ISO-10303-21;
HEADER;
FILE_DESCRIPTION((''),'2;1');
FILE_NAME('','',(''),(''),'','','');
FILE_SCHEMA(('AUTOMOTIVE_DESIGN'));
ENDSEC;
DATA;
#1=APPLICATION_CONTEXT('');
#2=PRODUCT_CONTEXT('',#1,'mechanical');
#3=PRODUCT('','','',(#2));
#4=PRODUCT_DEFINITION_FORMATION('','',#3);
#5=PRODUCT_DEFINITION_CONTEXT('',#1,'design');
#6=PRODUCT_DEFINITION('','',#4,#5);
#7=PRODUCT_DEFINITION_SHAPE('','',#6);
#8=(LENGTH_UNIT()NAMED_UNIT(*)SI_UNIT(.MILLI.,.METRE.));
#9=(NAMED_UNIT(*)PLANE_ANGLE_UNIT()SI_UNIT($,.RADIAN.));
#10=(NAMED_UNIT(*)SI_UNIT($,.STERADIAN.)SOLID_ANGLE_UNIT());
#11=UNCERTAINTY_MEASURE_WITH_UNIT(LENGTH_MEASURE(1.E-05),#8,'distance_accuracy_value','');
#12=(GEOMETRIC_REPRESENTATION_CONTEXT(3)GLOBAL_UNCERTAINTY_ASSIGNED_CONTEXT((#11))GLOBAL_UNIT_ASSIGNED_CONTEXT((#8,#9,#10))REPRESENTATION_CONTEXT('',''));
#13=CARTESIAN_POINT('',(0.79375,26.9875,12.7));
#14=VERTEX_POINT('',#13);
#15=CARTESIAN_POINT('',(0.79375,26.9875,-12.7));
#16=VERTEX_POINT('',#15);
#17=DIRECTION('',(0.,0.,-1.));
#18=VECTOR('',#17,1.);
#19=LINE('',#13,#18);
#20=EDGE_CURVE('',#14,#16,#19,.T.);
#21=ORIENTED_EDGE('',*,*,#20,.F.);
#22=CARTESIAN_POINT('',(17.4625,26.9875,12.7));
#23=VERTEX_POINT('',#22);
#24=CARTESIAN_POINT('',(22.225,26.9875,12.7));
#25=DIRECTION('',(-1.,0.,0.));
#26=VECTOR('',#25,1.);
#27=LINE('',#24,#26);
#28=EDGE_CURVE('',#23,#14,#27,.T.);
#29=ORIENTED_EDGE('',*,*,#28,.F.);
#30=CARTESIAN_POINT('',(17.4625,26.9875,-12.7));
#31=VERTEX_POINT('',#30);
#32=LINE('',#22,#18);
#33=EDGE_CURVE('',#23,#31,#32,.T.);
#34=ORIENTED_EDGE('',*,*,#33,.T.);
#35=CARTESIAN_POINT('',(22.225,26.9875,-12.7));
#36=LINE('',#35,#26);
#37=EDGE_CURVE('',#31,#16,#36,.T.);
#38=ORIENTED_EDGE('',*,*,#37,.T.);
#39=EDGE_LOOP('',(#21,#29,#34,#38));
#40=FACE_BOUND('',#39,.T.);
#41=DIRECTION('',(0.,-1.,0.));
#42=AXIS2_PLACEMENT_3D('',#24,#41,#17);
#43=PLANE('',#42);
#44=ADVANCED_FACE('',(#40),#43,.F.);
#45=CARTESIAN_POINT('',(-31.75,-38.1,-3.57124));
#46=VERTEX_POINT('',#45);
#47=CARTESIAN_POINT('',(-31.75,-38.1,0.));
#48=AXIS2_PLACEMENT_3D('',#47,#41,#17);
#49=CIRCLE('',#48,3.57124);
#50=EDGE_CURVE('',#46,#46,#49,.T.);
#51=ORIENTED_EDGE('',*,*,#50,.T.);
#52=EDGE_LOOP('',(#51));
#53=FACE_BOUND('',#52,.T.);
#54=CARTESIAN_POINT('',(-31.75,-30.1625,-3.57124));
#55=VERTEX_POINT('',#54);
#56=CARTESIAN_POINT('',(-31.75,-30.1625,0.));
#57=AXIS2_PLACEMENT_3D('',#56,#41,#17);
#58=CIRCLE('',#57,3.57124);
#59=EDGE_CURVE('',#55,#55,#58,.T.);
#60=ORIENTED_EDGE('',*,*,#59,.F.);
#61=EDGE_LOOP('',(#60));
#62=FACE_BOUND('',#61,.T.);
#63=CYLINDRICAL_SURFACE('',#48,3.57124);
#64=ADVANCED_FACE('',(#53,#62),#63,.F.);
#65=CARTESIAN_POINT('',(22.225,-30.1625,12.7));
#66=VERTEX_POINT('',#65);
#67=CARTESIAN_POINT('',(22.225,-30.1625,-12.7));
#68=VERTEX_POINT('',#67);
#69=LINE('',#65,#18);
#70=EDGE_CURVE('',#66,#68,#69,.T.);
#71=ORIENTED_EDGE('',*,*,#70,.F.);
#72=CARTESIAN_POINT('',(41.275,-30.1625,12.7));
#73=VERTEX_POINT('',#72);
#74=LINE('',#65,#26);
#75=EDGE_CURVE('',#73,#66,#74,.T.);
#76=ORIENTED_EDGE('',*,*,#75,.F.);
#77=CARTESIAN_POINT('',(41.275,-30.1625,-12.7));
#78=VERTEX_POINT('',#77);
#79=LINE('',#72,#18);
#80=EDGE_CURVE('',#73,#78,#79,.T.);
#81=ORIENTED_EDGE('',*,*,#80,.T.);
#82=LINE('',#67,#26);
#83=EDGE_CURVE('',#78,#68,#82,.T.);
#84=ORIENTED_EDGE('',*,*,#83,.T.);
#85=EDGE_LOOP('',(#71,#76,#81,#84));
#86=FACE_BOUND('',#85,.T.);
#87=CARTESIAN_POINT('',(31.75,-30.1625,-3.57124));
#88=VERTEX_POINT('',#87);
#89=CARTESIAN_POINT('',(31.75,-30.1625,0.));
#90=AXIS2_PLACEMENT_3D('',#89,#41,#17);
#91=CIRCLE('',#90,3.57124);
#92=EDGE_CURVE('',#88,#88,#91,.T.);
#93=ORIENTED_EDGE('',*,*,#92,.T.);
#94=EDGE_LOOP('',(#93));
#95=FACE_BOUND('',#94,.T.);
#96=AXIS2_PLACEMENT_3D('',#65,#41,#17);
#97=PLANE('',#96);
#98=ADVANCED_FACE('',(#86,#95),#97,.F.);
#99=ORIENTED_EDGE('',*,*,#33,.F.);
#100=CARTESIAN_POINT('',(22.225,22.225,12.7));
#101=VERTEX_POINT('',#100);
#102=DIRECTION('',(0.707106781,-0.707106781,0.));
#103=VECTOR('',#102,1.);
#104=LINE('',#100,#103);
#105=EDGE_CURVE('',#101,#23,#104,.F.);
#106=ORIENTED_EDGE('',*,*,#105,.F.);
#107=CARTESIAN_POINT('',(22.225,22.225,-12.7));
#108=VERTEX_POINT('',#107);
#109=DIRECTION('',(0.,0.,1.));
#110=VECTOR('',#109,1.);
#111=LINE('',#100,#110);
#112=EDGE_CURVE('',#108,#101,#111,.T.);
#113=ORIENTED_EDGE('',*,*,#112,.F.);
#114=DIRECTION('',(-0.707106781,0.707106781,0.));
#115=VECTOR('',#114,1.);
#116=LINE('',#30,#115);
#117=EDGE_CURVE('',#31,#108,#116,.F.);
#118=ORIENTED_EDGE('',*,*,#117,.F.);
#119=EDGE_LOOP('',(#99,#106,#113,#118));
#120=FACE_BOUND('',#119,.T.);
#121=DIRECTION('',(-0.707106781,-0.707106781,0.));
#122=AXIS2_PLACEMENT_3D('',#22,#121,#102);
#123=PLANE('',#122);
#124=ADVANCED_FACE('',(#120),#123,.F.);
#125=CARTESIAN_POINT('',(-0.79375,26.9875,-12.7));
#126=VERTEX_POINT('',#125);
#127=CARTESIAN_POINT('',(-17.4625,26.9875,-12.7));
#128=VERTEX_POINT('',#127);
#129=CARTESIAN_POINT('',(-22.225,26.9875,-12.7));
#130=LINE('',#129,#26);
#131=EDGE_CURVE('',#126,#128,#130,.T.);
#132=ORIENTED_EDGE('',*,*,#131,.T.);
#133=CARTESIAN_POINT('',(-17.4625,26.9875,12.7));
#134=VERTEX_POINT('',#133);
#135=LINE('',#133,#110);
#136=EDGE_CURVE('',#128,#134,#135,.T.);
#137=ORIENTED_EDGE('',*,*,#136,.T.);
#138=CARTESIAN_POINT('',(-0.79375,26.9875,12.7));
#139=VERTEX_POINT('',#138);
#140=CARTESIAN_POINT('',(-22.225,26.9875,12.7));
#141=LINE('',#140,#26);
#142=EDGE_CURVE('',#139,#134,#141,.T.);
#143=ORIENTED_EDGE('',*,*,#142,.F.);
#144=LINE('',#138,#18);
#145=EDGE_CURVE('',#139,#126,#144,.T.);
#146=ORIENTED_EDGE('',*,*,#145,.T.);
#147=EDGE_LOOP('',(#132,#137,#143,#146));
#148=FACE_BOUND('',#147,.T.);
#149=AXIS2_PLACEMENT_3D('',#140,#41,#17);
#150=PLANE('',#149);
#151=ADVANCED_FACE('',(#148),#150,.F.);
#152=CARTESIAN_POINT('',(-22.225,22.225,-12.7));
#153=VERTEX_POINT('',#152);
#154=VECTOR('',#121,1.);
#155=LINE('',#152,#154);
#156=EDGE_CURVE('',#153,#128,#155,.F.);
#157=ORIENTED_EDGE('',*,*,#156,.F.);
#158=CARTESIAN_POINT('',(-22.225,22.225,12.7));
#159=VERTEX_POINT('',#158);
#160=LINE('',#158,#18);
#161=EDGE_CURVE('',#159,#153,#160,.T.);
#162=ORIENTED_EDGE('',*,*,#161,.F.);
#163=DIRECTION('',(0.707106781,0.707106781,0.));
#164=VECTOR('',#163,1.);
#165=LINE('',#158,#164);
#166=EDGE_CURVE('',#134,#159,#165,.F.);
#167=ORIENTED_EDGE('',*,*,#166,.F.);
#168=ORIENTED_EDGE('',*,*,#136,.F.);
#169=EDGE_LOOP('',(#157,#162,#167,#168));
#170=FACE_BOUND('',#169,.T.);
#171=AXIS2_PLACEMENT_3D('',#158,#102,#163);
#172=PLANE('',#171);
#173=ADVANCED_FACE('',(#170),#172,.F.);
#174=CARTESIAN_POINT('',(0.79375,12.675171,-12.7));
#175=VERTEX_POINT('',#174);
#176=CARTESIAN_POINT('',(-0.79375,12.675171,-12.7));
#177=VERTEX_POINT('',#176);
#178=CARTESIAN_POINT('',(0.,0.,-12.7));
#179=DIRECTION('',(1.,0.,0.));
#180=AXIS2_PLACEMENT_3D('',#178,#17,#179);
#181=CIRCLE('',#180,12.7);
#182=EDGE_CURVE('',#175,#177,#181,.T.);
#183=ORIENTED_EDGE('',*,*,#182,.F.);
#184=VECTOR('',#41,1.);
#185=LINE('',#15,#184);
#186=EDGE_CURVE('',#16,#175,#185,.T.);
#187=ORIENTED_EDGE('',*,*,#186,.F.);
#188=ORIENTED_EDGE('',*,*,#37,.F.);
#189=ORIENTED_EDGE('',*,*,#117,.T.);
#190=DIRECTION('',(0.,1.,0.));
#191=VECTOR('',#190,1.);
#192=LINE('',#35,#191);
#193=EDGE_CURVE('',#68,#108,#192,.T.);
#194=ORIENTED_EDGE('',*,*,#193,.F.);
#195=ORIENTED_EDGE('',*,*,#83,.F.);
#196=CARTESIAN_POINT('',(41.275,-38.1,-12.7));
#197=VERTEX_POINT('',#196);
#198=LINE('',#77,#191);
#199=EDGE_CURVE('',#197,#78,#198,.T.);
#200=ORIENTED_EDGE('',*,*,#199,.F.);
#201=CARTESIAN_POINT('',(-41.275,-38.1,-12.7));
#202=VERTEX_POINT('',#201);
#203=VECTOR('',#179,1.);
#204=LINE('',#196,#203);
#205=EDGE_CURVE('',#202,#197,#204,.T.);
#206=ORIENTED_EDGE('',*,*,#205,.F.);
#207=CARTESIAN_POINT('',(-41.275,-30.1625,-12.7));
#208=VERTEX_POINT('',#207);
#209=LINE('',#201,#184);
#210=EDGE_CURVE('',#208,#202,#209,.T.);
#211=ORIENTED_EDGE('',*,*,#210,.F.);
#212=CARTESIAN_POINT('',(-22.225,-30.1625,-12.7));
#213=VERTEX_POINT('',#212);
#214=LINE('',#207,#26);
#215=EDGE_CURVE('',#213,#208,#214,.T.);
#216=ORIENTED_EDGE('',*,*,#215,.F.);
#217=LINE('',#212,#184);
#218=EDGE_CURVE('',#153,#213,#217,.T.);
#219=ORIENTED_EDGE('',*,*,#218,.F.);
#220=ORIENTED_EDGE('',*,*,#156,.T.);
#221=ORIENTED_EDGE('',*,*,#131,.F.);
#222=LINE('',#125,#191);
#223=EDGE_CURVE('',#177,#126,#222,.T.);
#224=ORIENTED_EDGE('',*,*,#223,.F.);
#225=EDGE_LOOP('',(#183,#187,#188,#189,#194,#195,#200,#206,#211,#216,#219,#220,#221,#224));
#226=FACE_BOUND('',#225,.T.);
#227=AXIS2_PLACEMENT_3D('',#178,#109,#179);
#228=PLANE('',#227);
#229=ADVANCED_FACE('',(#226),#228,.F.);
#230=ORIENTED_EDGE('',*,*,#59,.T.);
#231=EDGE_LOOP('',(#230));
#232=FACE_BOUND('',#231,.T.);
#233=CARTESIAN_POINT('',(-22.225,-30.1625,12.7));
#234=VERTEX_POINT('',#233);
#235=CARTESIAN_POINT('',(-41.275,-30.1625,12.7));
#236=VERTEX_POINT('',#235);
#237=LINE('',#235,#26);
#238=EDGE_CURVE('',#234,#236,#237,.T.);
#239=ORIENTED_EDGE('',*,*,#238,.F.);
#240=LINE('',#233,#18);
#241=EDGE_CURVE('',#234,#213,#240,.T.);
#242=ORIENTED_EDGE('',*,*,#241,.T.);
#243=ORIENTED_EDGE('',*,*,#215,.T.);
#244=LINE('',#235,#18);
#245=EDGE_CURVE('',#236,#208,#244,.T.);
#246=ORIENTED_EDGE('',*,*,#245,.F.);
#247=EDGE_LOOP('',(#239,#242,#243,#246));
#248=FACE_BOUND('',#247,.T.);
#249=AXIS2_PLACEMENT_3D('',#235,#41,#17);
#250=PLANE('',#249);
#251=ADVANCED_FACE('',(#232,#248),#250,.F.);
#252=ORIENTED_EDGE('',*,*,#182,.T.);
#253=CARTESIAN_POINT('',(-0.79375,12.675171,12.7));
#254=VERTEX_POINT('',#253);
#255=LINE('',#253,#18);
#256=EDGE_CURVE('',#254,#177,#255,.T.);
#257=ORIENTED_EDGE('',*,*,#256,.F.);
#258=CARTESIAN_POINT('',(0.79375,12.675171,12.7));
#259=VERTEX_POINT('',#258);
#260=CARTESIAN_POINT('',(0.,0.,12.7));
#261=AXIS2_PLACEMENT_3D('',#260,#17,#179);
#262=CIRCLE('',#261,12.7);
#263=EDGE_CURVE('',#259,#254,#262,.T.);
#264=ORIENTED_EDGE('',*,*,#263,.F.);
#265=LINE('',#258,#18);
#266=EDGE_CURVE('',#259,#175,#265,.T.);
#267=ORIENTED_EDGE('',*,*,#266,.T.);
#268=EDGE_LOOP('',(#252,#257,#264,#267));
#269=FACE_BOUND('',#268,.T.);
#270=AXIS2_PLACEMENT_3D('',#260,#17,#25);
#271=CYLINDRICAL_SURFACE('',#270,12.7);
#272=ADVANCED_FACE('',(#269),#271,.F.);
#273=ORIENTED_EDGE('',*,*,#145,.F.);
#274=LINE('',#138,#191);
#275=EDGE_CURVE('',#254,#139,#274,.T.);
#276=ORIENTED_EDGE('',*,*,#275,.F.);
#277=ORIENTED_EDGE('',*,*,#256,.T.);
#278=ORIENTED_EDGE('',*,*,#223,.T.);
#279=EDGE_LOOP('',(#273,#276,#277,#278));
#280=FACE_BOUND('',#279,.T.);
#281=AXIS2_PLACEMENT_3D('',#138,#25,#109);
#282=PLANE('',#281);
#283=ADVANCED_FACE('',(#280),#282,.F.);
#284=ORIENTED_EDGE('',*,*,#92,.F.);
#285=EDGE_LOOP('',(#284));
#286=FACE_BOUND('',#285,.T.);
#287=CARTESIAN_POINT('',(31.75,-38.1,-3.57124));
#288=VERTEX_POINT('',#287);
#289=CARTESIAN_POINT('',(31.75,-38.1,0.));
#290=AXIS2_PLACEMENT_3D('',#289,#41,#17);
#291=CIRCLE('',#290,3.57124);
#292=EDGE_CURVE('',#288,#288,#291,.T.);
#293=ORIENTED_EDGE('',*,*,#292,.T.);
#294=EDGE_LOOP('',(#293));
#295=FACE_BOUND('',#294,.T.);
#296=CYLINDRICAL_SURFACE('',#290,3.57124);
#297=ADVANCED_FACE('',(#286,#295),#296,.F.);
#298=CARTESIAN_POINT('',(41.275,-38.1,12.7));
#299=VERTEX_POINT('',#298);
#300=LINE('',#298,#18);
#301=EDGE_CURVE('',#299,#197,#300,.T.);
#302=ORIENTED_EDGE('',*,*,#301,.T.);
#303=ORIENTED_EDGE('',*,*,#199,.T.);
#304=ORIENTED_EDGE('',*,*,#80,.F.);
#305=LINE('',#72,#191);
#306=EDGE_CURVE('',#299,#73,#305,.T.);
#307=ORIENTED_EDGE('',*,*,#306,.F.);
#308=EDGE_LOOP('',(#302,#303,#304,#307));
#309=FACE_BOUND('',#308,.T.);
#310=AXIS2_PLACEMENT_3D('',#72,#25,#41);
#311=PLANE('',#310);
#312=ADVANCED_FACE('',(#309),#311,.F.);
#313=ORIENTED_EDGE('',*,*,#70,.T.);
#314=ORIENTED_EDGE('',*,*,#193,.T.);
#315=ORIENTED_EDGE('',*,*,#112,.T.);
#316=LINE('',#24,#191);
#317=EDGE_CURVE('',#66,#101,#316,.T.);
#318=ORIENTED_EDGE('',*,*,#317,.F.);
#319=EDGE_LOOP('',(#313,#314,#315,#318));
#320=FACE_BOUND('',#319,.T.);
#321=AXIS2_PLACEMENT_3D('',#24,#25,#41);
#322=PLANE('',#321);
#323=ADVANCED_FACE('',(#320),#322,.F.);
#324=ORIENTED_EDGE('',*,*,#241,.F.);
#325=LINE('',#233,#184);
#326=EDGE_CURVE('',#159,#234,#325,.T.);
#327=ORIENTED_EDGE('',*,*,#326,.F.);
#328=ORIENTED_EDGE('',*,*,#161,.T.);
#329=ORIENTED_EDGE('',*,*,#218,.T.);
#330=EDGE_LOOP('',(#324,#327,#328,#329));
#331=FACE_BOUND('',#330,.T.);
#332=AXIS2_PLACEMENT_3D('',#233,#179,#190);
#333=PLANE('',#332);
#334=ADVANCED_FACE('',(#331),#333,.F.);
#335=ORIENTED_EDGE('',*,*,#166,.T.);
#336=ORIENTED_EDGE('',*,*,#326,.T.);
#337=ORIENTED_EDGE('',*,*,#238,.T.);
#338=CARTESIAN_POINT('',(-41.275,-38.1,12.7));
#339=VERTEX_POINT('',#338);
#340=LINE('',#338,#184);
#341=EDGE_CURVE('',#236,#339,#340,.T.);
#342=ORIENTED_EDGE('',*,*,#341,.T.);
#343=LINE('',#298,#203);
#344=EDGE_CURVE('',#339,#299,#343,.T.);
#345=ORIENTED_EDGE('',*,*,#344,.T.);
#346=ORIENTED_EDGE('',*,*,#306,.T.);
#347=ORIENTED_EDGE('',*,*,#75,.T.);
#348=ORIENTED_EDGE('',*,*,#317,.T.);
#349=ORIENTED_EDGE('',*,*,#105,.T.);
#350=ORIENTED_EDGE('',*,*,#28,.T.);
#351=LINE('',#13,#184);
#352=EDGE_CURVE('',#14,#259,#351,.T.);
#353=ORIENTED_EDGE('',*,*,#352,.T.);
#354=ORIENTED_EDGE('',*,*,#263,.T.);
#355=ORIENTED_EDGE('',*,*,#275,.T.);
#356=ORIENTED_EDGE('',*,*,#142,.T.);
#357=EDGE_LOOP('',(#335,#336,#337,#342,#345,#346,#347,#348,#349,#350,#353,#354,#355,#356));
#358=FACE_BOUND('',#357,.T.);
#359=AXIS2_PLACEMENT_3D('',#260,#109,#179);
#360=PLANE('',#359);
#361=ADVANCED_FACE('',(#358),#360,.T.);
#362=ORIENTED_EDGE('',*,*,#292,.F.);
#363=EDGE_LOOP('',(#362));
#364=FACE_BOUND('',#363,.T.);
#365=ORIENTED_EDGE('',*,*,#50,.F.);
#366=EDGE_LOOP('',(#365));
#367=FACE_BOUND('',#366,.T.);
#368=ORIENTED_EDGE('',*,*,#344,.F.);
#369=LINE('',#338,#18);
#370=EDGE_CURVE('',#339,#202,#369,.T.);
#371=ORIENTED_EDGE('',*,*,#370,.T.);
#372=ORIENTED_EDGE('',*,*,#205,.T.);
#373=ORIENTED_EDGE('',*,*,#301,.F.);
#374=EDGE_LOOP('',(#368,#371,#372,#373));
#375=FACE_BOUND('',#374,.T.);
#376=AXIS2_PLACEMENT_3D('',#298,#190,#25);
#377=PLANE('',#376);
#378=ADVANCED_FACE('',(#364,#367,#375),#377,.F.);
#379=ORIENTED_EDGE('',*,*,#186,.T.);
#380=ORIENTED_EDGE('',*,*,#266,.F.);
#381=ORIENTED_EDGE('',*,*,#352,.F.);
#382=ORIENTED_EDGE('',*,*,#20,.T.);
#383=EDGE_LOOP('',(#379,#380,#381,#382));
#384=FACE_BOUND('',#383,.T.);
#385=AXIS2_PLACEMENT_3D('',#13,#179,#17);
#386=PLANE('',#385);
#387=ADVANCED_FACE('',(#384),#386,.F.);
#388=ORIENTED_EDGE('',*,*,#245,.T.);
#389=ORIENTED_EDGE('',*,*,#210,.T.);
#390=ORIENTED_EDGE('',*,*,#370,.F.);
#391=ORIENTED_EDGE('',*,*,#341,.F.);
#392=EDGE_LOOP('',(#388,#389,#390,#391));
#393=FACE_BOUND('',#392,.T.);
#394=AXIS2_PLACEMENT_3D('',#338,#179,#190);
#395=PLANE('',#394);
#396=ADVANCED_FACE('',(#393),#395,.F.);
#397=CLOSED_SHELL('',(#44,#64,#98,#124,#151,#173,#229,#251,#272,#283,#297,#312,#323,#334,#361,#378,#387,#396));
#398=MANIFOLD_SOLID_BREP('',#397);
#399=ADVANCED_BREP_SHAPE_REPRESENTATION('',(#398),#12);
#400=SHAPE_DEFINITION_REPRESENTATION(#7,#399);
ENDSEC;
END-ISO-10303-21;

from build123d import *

# Parameters (mm, degrees)
EXTRUDE1_DEPTH          = 12.7
F_1_4_CLEARANCE_HOLE1_D = 7.14248
CHAMFER1_SIZE           = 4.7625


with BuildPart() as part:
    # Sketch1 → Extrude1 (new, symmetric)
    with BuildSketch(Plane.XY):
        with BuildLine():
            Line((22.225, 26.9875), (0.79375, 26.9875))
            Line((0.79375, 26.9875), (0.79375, 12.675171042))
            ThreePointArc((0.79375, 12.675171042), (0, -12.7), (-0.79375, 12.675171042))
            Line((-0.79375, 12.675171042), (-0.79375, 26.9875))
            Line((-0.79375, 26.9875), (-22.225, 26.9875))
            Line((-22.225, 26.9875), (-22.225, -30.1625))
            Line((-22.225, -30.1625), (-41.275, -30.1625))
            Line((-41.275, -30.1625), (-41.275, -38.1))
            Line((-41.275, -38.1), (41.275, -38.1))
            Line((41.275, -38.1), (41.275, -30.1625))
            Line((41.275, -30.1625), (22.225, -30.1625))
            Line((22.225, -30.1625), (22.225, 26.9875))
        make_face()
    extrude(amount=EXTRUDE1_DEPTH, both=True)

    # 1/4 Clearance Hole1 (through all)
    with Locations(Plane.XZ.offset(38.1)):
        with Locations((-31.75, 0), (31.75, 0)):
            Hole(F_1_4_CLEARANCE_HOLE1_D / 2)

    # Chamfer1
    chamfer1_edges = [part.edges().sort_by_distance(p)[0] for p in [
        (-22.225, 26.9875, 0),
        (22.225, 26.9875, 0),
    ]]
    chamfer(chamfer1_edges, length=CHAMFER1_SIZE)


solid = part.part
